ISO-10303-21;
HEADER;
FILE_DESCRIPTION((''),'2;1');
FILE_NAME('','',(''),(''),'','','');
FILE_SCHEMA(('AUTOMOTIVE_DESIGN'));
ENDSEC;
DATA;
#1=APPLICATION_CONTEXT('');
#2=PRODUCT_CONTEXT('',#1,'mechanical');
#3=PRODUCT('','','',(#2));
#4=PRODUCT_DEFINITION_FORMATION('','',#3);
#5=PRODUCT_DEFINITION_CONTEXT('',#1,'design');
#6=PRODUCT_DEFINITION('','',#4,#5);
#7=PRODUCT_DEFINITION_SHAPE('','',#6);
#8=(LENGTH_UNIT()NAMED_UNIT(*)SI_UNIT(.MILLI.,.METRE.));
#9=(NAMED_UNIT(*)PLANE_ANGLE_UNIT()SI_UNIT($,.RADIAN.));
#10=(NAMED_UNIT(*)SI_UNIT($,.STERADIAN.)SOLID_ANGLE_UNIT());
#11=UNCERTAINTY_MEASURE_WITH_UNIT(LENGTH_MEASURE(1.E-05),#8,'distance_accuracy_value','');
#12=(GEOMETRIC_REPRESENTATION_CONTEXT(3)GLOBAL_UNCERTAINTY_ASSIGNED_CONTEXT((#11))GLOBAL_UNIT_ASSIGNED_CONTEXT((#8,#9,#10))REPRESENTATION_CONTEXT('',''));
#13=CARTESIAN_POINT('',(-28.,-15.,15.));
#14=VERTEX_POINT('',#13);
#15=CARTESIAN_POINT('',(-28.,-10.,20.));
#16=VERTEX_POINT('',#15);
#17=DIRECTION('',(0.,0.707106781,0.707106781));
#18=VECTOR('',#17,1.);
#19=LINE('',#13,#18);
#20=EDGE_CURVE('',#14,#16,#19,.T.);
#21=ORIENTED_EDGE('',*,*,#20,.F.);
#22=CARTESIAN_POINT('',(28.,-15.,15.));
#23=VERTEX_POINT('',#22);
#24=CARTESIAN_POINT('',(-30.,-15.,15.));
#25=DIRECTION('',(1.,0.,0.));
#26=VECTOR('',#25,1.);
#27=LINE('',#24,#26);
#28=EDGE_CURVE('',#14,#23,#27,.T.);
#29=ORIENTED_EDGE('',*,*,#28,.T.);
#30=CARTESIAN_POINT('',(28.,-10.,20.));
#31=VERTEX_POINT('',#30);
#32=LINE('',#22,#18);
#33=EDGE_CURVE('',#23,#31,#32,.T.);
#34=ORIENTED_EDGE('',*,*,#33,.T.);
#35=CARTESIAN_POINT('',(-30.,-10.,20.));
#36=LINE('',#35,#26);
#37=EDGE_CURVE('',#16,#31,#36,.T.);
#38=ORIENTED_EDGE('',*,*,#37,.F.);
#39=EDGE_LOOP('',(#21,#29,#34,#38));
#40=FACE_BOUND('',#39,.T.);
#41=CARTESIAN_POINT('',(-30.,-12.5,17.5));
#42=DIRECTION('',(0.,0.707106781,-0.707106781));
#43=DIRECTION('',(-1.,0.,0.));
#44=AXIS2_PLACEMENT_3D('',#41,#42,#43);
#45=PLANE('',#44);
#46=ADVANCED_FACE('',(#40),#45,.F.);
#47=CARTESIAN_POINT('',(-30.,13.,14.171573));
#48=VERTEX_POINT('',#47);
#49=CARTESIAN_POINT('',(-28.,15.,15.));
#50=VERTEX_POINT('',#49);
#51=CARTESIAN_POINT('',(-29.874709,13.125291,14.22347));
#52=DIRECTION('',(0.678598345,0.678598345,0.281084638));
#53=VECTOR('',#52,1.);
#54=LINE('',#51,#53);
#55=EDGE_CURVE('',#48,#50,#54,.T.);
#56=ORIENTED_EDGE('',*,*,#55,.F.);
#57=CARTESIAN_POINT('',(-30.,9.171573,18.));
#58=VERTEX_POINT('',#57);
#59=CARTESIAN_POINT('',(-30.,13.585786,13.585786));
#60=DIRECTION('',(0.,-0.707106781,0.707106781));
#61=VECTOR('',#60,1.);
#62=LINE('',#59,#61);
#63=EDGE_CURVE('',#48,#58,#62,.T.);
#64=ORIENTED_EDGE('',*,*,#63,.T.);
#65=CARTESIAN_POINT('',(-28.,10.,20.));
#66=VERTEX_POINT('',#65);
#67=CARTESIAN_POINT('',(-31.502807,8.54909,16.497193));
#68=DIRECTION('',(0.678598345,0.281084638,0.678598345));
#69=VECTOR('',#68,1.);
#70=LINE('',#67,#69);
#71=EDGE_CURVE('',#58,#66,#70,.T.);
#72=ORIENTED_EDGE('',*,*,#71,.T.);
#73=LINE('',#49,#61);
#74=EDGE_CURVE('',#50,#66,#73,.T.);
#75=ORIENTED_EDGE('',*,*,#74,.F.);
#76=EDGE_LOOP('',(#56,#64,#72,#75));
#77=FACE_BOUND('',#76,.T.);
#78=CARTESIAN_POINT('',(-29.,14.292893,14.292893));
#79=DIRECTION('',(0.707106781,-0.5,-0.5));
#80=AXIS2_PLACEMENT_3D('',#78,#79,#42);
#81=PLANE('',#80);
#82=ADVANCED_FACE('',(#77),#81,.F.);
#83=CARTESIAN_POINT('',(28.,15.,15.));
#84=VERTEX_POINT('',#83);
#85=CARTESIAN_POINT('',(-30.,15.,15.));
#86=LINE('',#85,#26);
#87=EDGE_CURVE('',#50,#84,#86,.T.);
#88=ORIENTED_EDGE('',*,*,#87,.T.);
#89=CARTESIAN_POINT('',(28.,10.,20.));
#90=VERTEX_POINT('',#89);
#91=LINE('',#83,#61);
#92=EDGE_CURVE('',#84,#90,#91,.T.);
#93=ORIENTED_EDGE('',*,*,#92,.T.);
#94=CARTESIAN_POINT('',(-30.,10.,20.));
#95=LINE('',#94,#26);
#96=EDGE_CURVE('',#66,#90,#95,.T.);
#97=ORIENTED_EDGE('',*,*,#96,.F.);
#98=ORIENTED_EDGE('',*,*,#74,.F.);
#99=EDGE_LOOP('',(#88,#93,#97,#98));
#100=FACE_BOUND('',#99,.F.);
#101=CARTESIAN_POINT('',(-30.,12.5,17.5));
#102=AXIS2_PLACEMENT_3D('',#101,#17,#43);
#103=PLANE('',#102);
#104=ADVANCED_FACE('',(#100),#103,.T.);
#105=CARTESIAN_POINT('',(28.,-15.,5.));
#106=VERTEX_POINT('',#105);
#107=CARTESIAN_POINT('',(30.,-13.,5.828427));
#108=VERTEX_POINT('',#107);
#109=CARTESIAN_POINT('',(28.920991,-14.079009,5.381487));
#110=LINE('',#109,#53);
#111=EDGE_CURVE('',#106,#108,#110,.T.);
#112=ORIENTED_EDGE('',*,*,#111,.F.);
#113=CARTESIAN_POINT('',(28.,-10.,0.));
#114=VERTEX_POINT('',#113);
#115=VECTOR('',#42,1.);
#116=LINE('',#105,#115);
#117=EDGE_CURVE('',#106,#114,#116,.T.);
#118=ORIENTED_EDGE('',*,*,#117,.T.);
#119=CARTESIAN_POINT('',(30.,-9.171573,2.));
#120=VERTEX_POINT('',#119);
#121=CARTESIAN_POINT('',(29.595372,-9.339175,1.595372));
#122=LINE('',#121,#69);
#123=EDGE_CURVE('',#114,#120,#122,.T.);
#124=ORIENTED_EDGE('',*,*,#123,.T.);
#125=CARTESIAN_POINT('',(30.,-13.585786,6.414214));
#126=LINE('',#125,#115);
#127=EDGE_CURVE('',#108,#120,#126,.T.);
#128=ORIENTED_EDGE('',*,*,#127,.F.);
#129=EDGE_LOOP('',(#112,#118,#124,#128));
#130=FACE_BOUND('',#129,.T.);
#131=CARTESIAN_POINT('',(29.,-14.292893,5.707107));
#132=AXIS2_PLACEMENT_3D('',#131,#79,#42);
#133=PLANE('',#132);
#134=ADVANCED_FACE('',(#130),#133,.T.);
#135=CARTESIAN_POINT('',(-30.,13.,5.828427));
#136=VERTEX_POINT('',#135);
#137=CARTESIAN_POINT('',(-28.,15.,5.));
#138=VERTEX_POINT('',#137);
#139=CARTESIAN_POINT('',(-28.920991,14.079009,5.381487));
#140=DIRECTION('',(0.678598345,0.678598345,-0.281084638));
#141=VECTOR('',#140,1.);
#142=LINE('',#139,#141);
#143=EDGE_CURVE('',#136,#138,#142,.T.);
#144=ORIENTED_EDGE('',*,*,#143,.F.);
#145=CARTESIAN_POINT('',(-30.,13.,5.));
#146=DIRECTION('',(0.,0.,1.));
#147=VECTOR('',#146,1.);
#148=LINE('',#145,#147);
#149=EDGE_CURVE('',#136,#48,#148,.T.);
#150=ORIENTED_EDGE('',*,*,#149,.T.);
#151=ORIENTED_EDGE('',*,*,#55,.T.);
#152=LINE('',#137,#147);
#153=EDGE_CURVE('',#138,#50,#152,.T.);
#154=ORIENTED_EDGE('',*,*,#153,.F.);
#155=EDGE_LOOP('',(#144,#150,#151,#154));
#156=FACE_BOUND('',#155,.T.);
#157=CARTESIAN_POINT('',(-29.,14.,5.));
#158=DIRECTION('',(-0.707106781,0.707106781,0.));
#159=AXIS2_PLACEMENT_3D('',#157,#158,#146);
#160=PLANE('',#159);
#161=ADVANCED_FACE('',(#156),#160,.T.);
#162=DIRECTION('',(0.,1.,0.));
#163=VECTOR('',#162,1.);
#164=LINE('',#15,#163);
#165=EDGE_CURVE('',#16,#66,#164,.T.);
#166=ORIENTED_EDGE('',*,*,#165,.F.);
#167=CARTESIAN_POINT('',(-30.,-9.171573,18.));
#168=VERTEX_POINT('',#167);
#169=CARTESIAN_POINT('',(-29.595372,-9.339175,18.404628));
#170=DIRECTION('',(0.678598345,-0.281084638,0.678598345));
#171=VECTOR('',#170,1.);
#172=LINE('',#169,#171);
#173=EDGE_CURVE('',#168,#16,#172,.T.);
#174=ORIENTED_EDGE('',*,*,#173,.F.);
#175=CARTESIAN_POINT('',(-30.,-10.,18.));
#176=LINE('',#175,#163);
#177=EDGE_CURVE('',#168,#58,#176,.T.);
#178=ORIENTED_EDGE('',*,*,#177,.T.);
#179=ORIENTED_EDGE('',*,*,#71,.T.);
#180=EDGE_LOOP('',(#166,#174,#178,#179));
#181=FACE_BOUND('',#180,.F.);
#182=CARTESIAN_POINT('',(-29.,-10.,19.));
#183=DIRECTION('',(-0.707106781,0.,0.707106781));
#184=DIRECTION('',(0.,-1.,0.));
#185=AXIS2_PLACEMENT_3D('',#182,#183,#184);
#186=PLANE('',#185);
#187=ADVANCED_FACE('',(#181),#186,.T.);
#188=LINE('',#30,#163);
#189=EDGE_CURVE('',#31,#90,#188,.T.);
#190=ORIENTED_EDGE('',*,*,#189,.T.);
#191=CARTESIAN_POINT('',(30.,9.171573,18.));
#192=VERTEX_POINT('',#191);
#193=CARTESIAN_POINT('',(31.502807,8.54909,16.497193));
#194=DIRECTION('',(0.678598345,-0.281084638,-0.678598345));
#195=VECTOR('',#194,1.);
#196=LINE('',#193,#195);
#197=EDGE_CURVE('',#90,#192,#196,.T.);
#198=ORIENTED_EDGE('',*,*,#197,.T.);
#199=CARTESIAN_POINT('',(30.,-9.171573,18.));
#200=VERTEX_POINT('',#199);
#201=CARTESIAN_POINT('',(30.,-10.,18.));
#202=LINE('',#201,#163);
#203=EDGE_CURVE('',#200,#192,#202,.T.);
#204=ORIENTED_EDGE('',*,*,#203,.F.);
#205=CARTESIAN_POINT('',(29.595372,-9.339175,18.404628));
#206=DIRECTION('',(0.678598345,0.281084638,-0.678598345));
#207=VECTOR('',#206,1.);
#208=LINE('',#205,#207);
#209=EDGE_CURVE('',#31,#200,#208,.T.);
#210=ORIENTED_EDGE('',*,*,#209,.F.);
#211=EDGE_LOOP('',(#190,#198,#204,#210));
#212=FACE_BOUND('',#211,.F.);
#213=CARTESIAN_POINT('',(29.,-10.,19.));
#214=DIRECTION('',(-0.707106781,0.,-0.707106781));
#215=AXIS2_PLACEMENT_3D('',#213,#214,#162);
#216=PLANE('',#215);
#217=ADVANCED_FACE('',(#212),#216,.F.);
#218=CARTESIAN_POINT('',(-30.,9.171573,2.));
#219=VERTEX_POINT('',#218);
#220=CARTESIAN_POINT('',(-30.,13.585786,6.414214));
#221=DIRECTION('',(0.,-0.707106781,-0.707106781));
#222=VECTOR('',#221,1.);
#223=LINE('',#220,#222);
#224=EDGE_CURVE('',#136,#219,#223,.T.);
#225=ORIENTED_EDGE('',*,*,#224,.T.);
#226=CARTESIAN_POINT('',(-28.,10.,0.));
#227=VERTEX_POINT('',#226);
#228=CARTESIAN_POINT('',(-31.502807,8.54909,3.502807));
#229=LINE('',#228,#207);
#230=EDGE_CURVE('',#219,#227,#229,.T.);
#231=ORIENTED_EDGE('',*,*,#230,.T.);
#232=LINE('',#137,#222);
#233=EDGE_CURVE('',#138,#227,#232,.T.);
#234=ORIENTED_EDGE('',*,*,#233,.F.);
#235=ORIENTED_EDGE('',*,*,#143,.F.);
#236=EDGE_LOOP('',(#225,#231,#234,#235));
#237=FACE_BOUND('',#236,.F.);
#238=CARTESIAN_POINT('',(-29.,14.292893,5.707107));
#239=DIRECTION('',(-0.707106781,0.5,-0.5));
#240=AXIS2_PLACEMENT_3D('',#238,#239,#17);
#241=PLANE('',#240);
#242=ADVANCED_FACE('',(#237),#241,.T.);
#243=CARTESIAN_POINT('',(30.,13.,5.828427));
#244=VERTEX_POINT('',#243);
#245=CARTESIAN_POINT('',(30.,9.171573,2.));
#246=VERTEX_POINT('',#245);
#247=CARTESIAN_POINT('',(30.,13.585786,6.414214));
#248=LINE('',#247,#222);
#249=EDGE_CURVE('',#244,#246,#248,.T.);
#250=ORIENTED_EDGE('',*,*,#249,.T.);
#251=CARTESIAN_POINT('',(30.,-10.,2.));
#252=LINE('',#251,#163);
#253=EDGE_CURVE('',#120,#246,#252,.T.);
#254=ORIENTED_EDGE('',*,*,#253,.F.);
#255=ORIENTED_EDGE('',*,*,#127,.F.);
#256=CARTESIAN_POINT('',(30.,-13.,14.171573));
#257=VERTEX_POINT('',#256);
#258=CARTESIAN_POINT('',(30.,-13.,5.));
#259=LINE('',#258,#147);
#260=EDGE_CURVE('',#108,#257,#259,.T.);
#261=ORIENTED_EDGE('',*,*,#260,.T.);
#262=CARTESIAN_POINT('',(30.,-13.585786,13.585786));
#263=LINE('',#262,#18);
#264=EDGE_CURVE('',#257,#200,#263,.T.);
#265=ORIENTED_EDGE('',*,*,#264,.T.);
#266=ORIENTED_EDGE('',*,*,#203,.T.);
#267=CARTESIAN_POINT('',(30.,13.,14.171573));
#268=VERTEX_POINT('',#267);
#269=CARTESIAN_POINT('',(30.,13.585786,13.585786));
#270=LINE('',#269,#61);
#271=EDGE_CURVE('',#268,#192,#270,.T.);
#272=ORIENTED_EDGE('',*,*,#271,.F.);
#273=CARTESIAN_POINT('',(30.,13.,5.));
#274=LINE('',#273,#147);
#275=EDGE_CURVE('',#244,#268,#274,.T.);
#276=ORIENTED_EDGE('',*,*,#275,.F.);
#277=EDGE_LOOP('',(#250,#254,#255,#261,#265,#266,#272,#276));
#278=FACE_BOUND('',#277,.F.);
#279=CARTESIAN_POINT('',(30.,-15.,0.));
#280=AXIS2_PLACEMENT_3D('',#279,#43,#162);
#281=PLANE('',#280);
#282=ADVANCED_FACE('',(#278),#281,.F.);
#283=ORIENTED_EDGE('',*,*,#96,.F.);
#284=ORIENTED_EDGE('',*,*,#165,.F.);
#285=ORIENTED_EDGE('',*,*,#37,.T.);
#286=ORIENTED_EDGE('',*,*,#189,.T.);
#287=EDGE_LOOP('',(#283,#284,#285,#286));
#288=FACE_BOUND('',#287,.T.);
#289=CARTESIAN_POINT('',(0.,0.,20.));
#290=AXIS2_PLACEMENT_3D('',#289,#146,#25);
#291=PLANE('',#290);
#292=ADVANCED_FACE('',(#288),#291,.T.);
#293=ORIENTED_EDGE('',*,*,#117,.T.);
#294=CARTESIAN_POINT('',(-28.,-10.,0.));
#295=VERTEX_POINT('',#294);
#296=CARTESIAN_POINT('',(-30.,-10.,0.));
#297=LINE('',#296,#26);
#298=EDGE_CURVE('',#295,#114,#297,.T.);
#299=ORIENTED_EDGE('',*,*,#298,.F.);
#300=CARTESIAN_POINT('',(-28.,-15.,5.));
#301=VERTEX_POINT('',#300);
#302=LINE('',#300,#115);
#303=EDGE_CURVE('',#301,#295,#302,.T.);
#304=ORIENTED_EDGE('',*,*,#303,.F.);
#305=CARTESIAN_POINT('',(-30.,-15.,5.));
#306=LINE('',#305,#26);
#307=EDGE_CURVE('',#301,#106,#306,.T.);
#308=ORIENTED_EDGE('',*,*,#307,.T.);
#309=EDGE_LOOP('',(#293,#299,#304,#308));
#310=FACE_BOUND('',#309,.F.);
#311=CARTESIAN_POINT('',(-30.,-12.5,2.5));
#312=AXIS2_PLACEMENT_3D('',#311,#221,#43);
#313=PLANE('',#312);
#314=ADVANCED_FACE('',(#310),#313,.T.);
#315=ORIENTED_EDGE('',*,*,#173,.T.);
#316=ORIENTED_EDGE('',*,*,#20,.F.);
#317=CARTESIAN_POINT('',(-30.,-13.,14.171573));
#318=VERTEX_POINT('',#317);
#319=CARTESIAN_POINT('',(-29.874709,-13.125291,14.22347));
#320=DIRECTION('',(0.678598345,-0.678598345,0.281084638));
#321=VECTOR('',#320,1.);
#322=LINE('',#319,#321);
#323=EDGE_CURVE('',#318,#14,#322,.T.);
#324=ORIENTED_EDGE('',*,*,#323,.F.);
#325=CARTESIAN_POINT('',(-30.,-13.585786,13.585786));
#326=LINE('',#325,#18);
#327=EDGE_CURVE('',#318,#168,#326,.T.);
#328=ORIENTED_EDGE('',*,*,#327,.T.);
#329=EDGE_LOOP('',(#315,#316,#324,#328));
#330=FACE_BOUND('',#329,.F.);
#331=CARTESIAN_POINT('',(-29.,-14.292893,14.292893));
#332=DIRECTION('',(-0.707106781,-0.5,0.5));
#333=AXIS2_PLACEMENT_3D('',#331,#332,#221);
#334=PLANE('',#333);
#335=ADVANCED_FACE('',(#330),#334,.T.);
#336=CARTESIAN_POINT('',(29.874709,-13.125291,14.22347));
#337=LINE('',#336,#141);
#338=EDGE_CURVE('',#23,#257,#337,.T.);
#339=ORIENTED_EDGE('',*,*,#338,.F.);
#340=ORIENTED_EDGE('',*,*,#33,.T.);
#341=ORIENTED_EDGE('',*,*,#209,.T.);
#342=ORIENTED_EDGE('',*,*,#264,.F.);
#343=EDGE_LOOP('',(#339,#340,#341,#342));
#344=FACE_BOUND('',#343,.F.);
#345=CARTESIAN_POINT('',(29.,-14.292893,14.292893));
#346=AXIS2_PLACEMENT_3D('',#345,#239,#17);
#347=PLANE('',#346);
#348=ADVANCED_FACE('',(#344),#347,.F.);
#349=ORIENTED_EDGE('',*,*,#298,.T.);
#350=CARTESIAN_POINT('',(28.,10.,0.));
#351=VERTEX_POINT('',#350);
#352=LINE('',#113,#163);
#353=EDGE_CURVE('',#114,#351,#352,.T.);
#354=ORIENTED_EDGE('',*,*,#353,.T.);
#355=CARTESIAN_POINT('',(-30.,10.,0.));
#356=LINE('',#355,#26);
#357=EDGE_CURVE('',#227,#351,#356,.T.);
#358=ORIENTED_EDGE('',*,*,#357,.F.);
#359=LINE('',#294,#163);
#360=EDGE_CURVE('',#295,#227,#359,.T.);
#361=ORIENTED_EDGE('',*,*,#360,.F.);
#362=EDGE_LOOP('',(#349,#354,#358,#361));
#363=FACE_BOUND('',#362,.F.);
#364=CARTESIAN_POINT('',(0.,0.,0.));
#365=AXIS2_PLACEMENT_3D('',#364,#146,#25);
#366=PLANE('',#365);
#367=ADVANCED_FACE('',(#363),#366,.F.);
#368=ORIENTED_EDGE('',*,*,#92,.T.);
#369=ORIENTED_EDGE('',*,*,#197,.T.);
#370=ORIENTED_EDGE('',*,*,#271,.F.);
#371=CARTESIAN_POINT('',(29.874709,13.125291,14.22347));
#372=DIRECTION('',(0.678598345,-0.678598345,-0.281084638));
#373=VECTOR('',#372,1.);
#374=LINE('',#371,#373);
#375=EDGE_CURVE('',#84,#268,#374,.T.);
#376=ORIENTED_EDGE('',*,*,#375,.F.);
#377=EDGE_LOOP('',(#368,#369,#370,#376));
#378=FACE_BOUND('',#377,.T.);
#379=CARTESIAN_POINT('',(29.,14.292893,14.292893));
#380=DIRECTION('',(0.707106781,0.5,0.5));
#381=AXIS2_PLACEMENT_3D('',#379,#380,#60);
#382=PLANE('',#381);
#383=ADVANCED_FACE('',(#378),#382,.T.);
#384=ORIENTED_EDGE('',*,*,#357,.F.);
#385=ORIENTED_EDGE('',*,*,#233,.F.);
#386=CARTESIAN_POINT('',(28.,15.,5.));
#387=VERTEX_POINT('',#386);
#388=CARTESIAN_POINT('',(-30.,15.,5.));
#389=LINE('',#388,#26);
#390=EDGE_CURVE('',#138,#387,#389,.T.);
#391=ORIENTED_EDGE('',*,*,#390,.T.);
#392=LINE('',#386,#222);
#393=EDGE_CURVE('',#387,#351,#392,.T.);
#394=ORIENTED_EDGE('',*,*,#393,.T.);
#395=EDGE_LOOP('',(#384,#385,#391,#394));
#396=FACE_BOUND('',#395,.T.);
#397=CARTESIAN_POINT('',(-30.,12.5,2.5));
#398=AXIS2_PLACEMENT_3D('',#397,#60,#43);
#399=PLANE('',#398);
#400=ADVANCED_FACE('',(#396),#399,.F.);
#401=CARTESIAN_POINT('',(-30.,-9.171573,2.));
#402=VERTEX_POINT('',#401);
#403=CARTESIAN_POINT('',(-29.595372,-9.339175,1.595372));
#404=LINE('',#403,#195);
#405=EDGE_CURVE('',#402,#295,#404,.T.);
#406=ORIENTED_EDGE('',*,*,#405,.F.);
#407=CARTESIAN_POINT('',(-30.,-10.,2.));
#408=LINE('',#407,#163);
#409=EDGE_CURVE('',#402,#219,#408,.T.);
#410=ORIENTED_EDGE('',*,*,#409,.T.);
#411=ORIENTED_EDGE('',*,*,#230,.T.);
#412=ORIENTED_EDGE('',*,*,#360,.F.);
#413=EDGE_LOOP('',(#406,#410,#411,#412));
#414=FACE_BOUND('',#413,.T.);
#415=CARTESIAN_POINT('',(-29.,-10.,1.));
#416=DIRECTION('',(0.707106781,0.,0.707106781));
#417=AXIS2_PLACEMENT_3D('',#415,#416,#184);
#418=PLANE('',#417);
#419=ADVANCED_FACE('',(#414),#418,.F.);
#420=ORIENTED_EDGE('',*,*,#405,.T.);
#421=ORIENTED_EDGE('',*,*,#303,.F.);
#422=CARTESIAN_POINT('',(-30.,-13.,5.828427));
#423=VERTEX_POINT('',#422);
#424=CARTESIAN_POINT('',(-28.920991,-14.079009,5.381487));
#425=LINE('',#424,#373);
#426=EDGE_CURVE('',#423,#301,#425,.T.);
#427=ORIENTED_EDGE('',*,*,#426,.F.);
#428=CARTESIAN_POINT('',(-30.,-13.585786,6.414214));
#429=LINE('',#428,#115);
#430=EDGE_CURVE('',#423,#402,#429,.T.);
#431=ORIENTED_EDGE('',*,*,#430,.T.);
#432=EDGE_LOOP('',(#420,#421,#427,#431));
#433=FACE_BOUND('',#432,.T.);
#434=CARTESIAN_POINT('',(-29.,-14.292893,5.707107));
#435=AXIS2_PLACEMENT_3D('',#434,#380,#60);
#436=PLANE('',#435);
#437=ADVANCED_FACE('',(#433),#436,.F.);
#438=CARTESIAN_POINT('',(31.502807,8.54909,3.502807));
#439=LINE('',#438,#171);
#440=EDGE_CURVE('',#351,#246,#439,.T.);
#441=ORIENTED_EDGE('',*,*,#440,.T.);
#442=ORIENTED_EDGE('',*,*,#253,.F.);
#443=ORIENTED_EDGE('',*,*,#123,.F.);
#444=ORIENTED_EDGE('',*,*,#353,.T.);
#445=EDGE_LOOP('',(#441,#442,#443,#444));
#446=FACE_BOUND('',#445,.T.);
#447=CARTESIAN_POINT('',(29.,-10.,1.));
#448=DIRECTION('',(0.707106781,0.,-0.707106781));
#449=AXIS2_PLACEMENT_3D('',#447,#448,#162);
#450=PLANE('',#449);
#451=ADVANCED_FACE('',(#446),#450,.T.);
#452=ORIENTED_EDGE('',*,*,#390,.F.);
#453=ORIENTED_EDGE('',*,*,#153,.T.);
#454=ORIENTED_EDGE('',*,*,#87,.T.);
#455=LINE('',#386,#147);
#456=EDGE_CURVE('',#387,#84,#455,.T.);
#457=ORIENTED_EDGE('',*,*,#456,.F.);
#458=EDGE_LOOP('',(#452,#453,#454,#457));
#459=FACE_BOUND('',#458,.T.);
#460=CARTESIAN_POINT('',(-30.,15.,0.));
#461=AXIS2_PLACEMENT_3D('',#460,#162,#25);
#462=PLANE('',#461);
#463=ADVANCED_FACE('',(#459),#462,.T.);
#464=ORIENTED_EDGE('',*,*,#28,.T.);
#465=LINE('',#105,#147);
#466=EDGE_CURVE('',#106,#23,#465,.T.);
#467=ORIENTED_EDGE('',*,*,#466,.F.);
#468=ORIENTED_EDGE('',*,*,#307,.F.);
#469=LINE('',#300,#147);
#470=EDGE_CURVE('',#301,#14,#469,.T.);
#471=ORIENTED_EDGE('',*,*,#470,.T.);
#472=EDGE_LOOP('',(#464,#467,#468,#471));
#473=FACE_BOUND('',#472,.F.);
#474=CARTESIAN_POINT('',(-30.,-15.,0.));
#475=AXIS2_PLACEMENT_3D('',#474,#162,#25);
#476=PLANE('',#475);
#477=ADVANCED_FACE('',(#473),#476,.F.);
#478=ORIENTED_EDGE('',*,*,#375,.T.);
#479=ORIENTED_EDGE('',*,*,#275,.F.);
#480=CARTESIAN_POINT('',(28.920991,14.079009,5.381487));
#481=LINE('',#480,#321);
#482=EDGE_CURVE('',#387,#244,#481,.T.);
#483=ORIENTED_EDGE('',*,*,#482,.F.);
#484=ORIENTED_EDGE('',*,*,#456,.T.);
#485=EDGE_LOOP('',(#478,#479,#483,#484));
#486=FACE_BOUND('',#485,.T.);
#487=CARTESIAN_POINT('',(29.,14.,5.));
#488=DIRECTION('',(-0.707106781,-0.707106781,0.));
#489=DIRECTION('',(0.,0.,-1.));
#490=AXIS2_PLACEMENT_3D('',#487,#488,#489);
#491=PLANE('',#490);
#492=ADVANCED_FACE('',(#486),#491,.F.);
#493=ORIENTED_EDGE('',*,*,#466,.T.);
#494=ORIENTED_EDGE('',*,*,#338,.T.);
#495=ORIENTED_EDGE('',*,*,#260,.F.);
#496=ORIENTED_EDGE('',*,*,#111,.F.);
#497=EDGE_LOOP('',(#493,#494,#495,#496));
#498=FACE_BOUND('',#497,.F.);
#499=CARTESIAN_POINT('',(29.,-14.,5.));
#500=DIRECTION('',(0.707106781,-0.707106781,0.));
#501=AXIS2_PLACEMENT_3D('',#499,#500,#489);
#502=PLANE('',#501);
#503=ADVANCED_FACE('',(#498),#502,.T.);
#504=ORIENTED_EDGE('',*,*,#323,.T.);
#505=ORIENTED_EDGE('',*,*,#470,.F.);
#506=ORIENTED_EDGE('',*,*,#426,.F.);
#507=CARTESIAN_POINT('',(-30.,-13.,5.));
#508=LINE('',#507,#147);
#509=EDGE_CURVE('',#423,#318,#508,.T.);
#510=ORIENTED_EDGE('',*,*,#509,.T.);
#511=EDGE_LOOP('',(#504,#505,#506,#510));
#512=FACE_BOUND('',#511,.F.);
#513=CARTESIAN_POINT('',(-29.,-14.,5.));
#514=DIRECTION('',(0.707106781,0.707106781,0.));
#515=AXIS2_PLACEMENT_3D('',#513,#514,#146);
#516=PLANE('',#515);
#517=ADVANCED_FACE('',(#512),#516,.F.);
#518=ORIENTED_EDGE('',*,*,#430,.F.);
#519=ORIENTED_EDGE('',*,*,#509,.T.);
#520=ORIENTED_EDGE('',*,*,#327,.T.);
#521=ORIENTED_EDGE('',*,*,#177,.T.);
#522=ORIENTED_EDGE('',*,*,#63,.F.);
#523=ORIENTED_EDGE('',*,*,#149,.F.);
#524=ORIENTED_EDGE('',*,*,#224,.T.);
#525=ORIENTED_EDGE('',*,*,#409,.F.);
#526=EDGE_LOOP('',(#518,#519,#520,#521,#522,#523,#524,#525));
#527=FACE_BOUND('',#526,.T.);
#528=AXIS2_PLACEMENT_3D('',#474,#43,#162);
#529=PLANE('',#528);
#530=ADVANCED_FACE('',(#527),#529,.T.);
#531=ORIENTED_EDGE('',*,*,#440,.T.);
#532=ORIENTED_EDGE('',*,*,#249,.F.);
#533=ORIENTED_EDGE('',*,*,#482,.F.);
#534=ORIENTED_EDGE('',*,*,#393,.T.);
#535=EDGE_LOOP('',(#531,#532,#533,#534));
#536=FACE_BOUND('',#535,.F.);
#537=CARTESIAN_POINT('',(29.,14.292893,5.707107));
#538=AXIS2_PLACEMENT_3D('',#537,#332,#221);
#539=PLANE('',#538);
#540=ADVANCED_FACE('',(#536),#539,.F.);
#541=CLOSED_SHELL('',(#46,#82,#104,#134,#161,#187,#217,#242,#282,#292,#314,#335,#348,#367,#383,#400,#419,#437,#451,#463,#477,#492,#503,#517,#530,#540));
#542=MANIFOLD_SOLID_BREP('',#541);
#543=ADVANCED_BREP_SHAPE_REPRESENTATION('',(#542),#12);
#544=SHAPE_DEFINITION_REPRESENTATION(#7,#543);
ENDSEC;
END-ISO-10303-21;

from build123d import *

# Parameters (mm, degrees)
F0_W     = 60
F0_H     = 30
F1_DEPTH = 20
F2_SIZE  = 5
F3_SIZE  = 2


with BuildPart() as f1:
    # F0 (on Top) → F1 (new body)
    with BuildSketch(Plane.XY):
        Rectangle(F0_W, F0_H)
    extrude(amount=F1_DEPTH)

    # F2
    f2_edges = [f1.edges().sort_by_distance(p)[0] for p in [
        (0, -15, 20),
        (0, 15, 20),
        (0, -15, 0),
        (0, 15, 0),
    ]]
    chamfer(f2_edges, length=F2_SIZE)

    # F3
    f3_edges = [f1.edges().sort_by_distance(p)[0] for p in [
        (30, -15, 10),
        (30, -12.5, 2.5),
        (30, -12.5, 17.5),
        (30, 0, 0),
        (30, 0, 20),
        (30, 12.5, 2.5),
        (30, 12.5, 17.5),
        (30, 15, 10),
        (-30, 15, 10),
        (-30, 12.5, 2.5),
        (-30, 12.5, 17.5),
        (-30, 0, 0),
        (-30, 0, 20),
        (-30, -12.5, 2.5),
        (-30, -12.5, 17.5),
        (-30, -15, 10),
    ]]
    chamfer(f3_edges, length=F3_SIZE)


solid = f1.part
